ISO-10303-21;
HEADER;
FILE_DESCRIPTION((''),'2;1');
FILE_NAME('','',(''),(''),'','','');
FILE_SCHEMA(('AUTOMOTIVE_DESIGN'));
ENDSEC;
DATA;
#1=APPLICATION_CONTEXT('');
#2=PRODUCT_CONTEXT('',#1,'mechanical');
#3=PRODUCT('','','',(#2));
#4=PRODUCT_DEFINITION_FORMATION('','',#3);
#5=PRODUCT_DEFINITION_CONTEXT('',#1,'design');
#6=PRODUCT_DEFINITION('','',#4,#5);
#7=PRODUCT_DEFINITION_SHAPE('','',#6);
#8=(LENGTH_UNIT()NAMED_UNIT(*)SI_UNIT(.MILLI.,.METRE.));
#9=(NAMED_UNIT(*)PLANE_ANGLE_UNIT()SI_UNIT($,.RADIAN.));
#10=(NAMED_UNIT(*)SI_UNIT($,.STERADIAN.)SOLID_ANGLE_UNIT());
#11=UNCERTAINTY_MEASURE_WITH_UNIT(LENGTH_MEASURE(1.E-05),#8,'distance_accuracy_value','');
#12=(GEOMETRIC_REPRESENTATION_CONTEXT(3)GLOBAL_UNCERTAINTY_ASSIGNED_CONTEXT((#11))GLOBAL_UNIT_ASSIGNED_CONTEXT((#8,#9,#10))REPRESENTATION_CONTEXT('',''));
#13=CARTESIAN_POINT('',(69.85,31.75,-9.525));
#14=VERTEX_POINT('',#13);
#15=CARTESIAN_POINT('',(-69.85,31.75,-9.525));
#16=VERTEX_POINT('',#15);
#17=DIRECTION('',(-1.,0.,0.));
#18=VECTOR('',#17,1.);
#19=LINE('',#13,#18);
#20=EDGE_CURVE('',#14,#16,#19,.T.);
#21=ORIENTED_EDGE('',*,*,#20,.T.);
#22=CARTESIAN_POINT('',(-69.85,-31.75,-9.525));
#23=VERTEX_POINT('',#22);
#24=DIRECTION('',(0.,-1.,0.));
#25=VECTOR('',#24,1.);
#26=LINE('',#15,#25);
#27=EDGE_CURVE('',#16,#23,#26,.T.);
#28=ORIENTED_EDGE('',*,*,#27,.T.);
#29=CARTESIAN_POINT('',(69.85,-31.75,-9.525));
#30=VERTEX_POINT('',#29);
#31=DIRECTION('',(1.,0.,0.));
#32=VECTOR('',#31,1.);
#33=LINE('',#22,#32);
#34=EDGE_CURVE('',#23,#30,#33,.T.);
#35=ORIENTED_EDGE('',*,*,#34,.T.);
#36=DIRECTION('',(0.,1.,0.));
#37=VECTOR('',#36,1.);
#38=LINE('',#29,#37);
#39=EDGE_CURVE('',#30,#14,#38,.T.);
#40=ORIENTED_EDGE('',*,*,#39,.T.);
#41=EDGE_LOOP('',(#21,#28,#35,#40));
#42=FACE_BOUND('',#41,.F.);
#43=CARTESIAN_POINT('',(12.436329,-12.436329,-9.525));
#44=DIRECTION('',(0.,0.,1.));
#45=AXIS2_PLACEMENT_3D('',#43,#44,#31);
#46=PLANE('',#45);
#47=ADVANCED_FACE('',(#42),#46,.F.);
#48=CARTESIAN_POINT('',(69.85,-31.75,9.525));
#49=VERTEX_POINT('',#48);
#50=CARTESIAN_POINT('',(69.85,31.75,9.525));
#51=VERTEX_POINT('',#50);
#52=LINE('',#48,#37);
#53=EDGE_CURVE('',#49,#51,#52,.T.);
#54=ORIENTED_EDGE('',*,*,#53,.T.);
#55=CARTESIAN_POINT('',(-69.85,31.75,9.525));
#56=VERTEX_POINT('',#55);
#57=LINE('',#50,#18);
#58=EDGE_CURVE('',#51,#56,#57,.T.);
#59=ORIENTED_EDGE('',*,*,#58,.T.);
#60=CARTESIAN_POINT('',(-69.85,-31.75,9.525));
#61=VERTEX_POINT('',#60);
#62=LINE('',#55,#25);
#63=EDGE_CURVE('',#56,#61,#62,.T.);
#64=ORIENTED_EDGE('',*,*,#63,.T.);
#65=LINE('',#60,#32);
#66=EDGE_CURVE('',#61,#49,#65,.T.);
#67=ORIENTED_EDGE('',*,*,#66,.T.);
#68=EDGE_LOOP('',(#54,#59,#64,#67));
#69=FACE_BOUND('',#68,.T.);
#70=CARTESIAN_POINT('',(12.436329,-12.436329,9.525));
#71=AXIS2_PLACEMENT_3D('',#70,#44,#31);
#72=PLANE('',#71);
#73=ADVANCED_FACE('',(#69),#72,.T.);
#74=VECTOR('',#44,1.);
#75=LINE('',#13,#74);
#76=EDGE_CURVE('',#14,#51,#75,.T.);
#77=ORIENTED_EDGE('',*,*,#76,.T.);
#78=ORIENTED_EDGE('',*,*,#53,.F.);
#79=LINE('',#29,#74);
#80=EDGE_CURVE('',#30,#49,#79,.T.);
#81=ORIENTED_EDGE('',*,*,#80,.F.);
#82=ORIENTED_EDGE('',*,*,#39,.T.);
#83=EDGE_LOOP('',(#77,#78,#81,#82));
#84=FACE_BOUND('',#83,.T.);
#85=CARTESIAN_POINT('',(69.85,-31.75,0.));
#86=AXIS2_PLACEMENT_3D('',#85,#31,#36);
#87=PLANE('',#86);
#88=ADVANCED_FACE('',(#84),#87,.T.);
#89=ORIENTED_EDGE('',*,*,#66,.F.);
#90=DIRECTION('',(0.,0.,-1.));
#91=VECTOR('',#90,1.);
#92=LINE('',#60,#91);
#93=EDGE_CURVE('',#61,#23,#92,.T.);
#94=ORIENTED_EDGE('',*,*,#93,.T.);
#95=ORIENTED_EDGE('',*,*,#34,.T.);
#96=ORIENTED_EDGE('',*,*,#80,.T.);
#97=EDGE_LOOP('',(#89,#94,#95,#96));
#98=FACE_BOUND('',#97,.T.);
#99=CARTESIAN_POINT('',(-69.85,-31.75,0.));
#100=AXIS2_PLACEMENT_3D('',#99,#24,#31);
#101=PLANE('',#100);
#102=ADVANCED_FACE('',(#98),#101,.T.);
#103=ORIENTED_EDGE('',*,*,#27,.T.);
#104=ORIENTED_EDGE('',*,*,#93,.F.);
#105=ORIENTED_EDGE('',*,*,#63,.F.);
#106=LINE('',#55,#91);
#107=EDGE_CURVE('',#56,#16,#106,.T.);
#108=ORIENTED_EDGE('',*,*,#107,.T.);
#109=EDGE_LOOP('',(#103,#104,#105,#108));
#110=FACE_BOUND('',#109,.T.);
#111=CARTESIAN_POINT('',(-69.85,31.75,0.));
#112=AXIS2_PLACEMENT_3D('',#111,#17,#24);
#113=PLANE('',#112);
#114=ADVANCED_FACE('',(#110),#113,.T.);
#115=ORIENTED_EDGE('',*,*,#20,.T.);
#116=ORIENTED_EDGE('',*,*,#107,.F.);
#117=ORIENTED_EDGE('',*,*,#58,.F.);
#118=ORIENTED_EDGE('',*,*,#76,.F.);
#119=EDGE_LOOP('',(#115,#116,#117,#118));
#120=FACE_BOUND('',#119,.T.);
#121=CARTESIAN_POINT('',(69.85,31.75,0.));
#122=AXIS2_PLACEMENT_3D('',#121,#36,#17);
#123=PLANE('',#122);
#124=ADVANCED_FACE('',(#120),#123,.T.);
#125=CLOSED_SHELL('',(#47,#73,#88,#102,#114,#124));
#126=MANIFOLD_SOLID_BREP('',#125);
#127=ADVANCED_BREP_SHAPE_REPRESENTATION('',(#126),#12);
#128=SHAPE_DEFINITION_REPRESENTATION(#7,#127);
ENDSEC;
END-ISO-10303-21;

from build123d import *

# Parameters (mm, degrees)
F1_DEPTH = 9.525


with BuildPart() as f1:
    # F0 (on Top) → F1 (new body, symmetric)
    with BuildSketch(Plane.XY):
        Polygon((69.85, 31.75), (-69.85, -31.75), (69.85, -31.75), align=None)
        Polygon((-69.85, 31.75), (-69.85, -31.75), (69.85, 31.75), align=None)
    extrude(amount=F1_DEPTH, both=True)


solid = f1.part
